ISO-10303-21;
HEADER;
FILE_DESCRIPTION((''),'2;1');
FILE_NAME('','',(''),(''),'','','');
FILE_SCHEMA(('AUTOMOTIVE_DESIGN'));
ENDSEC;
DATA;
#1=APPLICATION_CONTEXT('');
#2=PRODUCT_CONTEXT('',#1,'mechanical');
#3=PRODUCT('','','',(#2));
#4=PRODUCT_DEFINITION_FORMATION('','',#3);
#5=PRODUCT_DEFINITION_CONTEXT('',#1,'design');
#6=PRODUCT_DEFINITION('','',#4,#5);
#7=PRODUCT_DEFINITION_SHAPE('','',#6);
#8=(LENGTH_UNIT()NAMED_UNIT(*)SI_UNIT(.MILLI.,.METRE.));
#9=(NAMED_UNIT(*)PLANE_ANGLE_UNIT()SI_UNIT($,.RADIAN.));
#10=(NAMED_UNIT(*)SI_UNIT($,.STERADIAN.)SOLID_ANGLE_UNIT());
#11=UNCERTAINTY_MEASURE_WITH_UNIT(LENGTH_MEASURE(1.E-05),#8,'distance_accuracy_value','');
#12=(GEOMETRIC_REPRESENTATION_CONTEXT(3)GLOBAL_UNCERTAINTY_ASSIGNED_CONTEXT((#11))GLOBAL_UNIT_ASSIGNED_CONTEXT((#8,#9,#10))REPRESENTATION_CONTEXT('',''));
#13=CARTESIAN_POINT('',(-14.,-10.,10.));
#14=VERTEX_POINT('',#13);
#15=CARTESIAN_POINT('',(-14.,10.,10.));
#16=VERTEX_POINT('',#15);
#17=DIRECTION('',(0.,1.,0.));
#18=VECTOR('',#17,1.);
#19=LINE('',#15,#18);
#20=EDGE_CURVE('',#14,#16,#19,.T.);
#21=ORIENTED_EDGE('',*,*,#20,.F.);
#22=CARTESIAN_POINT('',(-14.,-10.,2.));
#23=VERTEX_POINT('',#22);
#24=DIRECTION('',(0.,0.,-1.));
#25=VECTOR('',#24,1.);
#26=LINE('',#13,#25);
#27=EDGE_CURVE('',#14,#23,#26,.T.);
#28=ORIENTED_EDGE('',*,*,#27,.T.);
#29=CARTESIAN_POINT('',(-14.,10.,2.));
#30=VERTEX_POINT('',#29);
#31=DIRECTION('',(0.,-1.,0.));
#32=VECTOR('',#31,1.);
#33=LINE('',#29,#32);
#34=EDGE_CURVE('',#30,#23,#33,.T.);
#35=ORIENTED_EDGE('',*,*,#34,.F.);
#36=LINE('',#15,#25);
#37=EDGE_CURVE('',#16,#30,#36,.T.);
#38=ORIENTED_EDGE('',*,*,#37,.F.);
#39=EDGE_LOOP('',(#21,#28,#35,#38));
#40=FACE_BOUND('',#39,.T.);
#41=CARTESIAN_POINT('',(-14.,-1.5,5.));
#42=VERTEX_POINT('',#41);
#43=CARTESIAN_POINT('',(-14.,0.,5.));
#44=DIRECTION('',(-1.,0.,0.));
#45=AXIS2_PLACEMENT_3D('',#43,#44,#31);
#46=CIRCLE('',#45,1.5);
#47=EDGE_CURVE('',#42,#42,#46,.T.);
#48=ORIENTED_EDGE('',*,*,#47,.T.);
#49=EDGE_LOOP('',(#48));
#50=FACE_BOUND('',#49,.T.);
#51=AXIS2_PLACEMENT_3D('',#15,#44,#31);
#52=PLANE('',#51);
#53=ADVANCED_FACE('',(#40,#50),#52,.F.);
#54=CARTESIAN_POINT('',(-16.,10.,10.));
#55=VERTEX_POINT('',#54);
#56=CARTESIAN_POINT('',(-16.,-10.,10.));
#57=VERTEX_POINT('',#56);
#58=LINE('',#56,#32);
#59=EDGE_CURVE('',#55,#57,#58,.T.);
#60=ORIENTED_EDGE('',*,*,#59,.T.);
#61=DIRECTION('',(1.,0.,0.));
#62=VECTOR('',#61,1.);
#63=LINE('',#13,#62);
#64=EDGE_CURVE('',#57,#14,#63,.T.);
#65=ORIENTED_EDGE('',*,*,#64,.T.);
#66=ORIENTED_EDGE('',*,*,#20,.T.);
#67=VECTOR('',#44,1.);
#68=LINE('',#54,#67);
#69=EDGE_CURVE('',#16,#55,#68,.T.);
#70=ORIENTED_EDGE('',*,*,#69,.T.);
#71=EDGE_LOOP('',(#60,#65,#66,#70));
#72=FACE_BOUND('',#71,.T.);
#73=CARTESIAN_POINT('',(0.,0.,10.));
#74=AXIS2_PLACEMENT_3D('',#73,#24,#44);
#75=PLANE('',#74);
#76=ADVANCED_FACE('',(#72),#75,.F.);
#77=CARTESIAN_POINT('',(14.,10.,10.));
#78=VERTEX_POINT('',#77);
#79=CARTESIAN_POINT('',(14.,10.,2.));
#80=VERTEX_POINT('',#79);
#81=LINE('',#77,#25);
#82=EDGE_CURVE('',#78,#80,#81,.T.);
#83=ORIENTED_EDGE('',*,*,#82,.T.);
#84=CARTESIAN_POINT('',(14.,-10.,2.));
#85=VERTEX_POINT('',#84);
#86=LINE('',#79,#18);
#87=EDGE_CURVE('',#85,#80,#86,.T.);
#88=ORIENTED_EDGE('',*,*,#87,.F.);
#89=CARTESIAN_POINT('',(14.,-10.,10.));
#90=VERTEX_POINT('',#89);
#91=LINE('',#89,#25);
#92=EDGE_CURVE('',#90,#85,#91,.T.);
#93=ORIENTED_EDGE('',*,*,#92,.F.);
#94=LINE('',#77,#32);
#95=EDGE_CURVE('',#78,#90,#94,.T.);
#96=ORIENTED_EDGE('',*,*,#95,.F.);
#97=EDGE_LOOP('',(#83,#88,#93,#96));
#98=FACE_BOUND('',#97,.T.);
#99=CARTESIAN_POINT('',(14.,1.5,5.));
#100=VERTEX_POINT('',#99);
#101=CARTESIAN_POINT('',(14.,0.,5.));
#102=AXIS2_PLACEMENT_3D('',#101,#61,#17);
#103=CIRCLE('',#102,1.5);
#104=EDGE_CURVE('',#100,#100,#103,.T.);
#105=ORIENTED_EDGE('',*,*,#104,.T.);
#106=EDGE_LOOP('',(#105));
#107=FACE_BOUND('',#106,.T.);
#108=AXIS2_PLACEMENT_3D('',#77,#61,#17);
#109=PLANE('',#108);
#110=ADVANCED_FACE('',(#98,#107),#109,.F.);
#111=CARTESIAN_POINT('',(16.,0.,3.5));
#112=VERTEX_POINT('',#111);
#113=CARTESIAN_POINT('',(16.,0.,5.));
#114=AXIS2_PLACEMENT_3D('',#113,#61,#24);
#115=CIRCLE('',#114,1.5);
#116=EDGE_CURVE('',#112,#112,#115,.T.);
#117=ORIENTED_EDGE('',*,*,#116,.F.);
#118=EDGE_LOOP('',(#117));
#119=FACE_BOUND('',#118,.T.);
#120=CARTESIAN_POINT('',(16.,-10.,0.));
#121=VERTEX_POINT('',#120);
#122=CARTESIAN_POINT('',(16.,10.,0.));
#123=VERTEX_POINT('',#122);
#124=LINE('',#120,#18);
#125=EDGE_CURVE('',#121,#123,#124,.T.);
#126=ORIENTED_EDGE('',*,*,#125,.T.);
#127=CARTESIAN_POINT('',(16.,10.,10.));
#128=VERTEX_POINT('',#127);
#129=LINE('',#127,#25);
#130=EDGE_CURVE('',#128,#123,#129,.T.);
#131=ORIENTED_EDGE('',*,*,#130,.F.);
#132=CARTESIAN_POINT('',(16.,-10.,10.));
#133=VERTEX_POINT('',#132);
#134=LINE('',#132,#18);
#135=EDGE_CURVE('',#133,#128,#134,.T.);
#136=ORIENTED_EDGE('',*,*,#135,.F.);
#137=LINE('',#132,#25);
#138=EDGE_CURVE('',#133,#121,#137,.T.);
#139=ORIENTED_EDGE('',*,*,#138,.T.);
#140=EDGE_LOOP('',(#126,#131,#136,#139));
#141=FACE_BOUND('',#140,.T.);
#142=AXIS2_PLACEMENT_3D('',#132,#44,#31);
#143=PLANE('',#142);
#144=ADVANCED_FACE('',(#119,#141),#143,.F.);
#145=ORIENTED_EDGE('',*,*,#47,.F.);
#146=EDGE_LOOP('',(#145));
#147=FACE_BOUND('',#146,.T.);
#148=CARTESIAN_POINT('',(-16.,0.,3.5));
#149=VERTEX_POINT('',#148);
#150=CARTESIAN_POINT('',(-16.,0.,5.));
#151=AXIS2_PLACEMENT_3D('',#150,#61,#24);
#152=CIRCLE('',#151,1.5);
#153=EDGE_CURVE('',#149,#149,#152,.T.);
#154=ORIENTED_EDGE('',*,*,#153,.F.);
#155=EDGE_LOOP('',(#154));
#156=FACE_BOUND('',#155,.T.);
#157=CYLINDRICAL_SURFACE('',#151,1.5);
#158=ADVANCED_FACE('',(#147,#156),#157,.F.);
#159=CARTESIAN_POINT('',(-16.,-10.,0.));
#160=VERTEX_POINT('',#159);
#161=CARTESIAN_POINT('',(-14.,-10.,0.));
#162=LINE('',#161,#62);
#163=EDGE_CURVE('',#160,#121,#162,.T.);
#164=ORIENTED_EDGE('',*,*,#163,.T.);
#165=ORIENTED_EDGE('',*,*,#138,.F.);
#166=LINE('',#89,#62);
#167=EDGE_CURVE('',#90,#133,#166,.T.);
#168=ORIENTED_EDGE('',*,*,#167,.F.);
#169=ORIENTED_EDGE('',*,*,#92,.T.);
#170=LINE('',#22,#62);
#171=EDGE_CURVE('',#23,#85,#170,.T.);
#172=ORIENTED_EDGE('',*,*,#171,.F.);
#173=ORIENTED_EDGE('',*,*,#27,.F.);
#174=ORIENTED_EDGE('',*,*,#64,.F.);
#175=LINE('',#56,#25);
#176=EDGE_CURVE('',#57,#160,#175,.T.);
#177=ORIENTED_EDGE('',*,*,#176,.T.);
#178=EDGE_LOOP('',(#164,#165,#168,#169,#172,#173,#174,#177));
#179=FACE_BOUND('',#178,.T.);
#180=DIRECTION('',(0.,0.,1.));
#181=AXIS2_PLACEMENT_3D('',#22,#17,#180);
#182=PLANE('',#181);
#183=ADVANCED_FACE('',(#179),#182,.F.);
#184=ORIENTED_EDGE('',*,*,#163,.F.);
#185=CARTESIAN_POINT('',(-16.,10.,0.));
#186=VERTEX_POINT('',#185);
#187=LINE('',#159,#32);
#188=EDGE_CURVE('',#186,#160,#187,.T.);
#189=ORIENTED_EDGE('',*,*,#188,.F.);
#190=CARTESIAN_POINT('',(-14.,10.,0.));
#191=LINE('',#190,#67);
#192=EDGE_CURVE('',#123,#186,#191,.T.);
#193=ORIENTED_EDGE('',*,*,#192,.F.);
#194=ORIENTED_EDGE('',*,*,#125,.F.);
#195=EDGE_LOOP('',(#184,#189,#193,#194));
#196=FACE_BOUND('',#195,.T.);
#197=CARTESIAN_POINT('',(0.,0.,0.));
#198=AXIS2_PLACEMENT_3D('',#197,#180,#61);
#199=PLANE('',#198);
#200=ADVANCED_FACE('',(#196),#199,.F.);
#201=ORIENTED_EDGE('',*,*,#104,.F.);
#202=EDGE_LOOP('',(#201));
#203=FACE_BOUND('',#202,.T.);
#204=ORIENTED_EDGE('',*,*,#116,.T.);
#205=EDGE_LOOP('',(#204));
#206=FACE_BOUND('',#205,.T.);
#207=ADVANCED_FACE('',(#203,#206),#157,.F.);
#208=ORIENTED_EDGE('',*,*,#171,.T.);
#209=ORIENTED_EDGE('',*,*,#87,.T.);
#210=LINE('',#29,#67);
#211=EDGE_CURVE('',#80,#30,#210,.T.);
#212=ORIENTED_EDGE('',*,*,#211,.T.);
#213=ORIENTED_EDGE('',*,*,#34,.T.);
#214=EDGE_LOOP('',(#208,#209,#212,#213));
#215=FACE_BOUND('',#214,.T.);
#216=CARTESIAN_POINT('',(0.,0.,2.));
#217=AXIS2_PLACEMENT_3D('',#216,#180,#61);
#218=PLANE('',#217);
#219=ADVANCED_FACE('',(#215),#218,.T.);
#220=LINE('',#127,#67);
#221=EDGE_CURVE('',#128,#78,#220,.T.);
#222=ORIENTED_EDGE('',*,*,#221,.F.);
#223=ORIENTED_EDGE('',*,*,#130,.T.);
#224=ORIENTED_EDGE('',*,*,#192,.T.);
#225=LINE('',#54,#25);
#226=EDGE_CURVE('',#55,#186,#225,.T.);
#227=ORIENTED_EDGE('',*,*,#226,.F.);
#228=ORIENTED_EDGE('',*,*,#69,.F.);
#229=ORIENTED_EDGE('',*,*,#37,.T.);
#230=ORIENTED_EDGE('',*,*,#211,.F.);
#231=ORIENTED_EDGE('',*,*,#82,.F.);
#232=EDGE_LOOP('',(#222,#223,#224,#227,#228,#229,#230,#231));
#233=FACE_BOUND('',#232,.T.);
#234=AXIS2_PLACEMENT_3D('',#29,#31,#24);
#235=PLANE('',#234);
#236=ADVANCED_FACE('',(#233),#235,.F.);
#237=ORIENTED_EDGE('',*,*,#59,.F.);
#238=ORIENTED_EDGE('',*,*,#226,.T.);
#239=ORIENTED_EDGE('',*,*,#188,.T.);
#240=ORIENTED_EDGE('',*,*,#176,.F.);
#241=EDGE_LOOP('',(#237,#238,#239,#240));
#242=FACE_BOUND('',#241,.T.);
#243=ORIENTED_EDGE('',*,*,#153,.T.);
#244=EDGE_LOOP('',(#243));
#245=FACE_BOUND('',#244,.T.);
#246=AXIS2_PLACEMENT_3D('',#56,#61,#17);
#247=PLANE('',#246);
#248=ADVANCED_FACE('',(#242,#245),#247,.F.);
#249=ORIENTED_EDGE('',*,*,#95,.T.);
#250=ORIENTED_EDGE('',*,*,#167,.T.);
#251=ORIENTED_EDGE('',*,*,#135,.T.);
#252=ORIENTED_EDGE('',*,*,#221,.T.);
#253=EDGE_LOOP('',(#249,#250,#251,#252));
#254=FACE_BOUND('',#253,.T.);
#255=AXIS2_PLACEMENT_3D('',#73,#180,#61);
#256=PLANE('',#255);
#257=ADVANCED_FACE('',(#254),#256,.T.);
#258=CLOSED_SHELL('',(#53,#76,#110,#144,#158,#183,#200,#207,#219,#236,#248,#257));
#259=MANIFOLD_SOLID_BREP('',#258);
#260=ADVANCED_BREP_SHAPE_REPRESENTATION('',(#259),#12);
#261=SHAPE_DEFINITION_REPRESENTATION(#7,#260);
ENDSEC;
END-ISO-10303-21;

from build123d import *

# Parameters (mm, degrees)
ESQUISSE1_W                  = 28
ESQUISSE1_H                  = 20
BOSS_EXTRU_1_DEPTH           = 2
ESQUISSE2_W                  = 2
ESQUISSE2_H                  = 20
BOSS_EXTRU_2_DEPTH           = 10
ENL_V_MAT_EXTRU_1_DEPTH      = 22.354156504
ENL_V_MAT_EXTRU_1_DEPTH_BACK = 22.354156504
ESQUISSE3_R                  = 1.5


with BuildPart() as part:
    # Esquisse1 → Boss.-Extru.1 (new body)
    with BuildSketch(Plane.XY):
        Rectangle(ESQUISSE1_W, ESQUISSE1_H)
    extrude(amount=BOSS_EXTRU_1_DEPTH)

    # Esquisse2 → Boss.-Extru.2 (add)
    with BuildSketch(Plane.XY):
        with Locations((-15, 0)):
            Rectangle(ESQUISSE2_W, ESQUISSE2_H)
        with Locations((15, 0)):
            Rectangle(ESQUISSE2_W, ESQUISSE2_H)
    extrude(amount=BOSS_EXTRU_2_DEPTH)

    # Esquisse3 → Enlèv. mat.-Extru.1 (cut, two sides: drawn at the far end of the back side and taken through both)
    with BuildSketch(Plane(origin=(0, 0, 0), x_dir=(0, 0, -1), z_dir=(1, 0, 0)).offset(-ENL_V_MAT_EXTRU_1_DEPTH_BACK)):
        with Locations((-5, 0)):
            Circle(ESQUISSE3_R)
    extrude(amount=ENL_V_MAT_EXTRU_1_DEPTH + ENL_V_MAT_EXTRU_1_DEPTH_BACK, mode=Mode.SUBTRACT)


solid = part.part
